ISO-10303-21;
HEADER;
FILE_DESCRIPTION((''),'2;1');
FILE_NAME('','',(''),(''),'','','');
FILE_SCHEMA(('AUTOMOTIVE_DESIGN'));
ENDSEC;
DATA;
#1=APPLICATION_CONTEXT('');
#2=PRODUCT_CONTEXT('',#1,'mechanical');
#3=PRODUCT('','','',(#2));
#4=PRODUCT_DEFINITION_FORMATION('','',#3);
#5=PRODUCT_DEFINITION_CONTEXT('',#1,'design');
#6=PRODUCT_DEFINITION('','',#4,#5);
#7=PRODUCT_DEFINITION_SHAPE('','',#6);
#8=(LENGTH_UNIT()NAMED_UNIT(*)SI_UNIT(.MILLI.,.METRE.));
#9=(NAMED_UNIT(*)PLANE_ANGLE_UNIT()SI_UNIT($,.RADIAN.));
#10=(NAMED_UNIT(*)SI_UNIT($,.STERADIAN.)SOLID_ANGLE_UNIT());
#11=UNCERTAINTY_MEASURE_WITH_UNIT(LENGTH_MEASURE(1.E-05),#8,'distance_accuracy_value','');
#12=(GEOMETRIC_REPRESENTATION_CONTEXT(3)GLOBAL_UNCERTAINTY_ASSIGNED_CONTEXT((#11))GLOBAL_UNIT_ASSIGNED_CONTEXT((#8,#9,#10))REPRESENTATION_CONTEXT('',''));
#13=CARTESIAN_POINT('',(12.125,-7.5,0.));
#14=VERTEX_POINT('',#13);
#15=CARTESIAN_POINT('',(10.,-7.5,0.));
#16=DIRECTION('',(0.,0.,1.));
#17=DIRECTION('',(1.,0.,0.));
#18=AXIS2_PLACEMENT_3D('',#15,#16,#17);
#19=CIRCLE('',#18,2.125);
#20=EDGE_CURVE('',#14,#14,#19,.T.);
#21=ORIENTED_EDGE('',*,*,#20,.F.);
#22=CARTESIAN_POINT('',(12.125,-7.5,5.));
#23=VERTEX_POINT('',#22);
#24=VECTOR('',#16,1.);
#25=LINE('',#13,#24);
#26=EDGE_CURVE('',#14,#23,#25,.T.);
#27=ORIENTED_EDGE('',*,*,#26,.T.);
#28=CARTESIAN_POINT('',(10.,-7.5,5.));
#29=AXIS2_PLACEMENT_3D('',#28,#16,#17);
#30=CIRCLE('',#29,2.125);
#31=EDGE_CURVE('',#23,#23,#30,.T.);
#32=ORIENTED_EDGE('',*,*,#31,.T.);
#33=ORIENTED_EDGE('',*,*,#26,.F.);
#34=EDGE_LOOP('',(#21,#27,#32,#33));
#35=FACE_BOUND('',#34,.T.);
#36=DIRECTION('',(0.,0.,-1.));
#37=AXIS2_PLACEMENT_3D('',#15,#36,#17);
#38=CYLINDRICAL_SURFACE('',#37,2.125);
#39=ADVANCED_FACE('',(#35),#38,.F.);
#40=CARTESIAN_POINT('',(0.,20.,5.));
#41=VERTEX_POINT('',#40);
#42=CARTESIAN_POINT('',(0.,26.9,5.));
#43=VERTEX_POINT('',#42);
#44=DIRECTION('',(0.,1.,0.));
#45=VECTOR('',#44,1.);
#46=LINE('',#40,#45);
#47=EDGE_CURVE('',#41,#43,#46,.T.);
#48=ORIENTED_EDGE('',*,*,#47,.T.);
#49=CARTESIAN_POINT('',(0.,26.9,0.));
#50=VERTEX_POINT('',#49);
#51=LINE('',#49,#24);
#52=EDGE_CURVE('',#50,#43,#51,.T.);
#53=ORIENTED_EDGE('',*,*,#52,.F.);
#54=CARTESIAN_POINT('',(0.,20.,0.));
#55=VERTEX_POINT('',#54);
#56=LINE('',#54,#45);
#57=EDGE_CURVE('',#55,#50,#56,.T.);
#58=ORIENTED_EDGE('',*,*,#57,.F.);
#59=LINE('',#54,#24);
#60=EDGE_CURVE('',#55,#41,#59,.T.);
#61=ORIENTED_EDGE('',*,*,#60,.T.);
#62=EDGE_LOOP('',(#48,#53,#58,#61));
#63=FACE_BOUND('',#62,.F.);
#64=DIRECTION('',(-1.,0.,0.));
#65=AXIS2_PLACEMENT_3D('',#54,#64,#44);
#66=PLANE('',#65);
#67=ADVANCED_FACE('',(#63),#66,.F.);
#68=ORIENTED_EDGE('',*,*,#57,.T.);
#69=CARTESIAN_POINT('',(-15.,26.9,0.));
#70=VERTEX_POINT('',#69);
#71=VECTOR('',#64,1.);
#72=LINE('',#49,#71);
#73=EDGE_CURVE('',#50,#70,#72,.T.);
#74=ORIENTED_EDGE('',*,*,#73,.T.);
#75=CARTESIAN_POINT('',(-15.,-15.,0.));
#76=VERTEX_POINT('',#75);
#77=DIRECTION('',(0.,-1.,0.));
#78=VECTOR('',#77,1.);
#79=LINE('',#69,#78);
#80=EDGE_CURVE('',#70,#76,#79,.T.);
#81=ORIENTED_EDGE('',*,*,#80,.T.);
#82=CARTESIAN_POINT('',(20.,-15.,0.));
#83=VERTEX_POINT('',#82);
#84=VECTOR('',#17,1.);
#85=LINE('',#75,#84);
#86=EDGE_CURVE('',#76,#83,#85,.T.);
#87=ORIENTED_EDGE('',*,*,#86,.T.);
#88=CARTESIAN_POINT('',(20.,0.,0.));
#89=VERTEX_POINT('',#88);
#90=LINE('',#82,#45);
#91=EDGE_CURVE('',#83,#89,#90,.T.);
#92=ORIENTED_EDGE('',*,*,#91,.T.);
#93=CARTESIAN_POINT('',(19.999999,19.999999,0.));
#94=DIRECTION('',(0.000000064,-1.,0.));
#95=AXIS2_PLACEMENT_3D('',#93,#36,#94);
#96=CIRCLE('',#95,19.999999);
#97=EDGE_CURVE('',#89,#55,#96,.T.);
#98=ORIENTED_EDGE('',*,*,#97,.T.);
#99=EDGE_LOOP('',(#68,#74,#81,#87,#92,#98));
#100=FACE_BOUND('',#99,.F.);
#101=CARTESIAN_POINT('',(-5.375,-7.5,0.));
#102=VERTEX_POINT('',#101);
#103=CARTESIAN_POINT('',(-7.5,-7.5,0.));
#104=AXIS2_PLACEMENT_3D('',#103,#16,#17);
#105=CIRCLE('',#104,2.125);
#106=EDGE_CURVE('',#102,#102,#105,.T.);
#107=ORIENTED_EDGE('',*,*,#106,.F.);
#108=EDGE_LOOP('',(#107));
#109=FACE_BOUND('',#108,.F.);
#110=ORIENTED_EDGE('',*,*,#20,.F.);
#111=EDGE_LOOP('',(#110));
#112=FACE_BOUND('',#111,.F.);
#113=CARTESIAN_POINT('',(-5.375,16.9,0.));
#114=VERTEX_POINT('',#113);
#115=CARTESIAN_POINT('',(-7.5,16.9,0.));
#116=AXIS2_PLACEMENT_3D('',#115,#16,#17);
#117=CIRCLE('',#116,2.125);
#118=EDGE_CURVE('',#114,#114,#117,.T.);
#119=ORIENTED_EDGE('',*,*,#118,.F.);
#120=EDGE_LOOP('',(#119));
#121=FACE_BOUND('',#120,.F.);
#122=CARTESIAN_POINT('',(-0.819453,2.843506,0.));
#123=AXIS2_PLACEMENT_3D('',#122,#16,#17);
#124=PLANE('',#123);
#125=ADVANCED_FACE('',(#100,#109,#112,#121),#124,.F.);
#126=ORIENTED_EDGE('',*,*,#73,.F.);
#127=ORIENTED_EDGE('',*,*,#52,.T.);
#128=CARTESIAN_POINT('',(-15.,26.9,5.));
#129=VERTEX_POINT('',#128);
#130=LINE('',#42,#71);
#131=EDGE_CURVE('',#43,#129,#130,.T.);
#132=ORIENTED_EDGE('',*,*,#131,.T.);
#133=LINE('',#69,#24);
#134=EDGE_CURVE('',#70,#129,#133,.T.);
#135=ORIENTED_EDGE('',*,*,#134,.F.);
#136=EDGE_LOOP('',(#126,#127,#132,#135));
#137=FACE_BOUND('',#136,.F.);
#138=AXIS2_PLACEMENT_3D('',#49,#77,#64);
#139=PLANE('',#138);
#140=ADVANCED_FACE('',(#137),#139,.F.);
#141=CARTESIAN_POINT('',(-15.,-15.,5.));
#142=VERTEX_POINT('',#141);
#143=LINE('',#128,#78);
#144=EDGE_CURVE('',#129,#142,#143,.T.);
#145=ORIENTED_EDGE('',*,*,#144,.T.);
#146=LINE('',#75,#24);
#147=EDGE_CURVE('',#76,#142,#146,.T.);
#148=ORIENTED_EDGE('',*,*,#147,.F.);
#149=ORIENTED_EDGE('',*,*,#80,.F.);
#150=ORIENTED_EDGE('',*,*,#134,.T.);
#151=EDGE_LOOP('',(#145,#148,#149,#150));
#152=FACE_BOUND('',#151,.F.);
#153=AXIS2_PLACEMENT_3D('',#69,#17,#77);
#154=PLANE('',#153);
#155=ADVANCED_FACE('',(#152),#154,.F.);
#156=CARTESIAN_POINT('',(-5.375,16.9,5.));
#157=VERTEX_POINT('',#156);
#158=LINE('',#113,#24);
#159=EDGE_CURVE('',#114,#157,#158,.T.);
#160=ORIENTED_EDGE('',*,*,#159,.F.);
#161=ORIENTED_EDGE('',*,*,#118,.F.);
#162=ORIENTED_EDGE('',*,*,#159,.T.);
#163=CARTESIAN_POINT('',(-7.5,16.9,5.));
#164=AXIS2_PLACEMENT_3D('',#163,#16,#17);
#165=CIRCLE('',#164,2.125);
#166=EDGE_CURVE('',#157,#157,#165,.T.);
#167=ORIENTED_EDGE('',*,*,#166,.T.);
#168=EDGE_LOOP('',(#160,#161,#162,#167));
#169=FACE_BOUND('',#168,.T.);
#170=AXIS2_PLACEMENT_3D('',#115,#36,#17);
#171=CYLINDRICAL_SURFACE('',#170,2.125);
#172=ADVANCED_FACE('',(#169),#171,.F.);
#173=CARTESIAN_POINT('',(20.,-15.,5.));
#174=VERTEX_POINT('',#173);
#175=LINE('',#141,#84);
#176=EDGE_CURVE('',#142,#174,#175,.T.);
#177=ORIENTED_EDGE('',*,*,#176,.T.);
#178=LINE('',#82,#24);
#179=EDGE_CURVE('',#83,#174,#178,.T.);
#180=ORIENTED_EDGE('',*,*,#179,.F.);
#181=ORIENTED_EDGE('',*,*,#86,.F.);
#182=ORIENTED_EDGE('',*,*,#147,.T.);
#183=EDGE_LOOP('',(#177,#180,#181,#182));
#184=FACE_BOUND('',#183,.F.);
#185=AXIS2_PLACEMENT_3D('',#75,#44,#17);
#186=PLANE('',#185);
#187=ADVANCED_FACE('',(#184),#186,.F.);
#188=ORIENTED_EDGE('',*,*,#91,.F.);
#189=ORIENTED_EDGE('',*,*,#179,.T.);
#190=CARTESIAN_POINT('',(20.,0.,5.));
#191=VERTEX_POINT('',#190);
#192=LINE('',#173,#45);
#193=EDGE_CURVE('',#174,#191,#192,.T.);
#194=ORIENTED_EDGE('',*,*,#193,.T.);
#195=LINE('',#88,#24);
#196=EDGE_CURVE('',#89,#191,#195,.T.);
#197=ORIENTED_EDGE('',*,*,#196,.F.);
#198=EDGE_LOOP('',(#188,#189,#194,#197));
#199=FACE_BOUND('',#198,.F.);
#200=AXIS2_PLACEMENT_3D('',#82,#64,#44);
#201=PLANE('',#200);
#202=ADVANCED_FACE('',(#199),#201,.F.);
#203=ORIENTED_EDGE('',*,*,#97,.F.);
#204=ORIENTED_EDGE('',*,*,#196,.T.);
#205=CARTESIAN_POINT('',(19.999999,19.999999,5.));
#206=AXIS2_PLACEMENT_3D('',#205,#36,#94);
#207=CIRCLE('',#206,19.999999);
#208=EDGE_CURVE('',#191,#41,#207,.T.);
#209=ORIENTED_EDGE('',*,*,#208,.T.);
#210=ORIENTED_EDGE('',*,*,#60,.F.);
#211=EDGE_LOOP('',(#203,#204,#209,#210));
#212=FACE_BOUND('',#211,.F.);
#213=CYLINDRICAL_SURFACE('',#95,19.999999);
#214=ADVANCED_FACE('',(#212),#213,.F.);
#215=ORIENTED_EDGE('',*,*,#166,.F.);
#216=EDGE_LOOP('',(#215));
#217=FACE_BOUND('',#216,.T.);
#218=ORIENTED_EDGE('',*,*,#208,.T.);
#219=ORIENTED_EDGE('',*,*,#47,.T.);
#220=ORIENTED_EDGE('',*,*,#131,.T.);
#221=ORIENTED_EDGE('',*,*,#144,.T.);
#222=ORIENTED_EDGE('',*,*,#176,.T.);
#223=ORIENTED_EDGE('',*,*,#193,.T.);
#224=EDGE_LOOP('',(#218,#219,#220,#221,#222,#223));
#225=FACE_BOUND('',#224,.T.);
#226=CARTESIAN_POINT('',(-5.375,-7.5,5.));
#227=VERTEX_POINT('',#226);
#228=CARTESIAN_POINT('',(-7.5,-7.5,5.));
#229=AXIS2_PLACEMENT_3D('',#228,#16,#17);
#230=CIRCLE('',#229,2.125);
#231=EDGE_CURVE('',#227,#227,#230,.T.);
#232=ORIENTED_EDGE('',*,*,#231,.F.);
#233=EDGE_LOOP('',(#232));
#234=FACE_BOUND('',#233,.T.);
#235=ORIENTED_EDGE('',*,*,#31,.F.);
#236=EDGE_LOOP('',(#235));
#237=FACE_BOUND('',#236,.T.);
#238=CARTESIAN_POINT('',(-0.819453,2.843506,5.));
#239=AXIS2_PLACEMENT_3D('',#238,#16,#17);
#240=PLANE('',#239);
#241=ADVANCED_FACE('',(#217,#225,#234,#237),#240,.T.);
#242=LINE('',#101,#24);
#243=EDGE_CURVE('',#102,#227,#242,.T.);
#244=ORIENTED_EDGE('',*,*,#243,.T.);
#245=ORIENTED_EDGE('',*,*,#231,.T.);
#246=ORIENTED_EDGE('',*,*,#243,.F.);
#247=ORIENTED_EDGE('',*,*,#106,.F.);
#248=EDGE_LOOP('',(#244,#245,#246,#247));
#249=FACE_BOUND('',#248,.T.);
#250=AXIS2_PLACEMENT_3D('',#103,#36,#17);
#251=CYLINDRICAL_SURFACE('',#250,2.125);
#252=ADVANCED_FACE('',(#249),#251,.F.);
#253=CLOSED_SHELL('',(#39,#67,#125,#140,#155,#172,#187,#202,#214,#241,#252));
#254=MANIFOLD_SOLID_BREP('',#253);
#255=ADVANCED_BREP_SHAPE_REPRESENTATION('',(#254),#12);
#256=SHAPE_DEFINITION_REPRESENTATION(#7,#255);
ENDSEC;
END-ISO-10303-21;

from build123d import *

# Parameters (mm, degrees)
F0_R     = 2.125
F1_DEPTH = 5


with BuildPart() as f1:
    # F0 (on Top) → F1 (new body)
    with BuildSketch(Plane.XY):
        with BuildLine():
            Line((0, 26.9), (-15, 26.9))
            Line((-15, 26.9), (-15, -15))
            Line((-15, -15), (20, -15))
            Line((20, -15), (20, 0))
            ThreePointArc((20, 0), (5.857864, 5.857864), (0, 20))
            Line((0, 20), (0, 26.9))
        make_face()
        with Locations((-7.5, -7.5)):
            Circle(F0_R, mode=Mode.SUBTRACT)
        with Locations((10, -7.5)):
            Circle(F0_R, mode=Mode.SUBTRACT)
        with Locations((-7.5, 16.9)):
            Circle(F0_R, mode=Mode.SUBTRACT)
    extrude(amount=F1_DEPTH)


solid = f1.part
